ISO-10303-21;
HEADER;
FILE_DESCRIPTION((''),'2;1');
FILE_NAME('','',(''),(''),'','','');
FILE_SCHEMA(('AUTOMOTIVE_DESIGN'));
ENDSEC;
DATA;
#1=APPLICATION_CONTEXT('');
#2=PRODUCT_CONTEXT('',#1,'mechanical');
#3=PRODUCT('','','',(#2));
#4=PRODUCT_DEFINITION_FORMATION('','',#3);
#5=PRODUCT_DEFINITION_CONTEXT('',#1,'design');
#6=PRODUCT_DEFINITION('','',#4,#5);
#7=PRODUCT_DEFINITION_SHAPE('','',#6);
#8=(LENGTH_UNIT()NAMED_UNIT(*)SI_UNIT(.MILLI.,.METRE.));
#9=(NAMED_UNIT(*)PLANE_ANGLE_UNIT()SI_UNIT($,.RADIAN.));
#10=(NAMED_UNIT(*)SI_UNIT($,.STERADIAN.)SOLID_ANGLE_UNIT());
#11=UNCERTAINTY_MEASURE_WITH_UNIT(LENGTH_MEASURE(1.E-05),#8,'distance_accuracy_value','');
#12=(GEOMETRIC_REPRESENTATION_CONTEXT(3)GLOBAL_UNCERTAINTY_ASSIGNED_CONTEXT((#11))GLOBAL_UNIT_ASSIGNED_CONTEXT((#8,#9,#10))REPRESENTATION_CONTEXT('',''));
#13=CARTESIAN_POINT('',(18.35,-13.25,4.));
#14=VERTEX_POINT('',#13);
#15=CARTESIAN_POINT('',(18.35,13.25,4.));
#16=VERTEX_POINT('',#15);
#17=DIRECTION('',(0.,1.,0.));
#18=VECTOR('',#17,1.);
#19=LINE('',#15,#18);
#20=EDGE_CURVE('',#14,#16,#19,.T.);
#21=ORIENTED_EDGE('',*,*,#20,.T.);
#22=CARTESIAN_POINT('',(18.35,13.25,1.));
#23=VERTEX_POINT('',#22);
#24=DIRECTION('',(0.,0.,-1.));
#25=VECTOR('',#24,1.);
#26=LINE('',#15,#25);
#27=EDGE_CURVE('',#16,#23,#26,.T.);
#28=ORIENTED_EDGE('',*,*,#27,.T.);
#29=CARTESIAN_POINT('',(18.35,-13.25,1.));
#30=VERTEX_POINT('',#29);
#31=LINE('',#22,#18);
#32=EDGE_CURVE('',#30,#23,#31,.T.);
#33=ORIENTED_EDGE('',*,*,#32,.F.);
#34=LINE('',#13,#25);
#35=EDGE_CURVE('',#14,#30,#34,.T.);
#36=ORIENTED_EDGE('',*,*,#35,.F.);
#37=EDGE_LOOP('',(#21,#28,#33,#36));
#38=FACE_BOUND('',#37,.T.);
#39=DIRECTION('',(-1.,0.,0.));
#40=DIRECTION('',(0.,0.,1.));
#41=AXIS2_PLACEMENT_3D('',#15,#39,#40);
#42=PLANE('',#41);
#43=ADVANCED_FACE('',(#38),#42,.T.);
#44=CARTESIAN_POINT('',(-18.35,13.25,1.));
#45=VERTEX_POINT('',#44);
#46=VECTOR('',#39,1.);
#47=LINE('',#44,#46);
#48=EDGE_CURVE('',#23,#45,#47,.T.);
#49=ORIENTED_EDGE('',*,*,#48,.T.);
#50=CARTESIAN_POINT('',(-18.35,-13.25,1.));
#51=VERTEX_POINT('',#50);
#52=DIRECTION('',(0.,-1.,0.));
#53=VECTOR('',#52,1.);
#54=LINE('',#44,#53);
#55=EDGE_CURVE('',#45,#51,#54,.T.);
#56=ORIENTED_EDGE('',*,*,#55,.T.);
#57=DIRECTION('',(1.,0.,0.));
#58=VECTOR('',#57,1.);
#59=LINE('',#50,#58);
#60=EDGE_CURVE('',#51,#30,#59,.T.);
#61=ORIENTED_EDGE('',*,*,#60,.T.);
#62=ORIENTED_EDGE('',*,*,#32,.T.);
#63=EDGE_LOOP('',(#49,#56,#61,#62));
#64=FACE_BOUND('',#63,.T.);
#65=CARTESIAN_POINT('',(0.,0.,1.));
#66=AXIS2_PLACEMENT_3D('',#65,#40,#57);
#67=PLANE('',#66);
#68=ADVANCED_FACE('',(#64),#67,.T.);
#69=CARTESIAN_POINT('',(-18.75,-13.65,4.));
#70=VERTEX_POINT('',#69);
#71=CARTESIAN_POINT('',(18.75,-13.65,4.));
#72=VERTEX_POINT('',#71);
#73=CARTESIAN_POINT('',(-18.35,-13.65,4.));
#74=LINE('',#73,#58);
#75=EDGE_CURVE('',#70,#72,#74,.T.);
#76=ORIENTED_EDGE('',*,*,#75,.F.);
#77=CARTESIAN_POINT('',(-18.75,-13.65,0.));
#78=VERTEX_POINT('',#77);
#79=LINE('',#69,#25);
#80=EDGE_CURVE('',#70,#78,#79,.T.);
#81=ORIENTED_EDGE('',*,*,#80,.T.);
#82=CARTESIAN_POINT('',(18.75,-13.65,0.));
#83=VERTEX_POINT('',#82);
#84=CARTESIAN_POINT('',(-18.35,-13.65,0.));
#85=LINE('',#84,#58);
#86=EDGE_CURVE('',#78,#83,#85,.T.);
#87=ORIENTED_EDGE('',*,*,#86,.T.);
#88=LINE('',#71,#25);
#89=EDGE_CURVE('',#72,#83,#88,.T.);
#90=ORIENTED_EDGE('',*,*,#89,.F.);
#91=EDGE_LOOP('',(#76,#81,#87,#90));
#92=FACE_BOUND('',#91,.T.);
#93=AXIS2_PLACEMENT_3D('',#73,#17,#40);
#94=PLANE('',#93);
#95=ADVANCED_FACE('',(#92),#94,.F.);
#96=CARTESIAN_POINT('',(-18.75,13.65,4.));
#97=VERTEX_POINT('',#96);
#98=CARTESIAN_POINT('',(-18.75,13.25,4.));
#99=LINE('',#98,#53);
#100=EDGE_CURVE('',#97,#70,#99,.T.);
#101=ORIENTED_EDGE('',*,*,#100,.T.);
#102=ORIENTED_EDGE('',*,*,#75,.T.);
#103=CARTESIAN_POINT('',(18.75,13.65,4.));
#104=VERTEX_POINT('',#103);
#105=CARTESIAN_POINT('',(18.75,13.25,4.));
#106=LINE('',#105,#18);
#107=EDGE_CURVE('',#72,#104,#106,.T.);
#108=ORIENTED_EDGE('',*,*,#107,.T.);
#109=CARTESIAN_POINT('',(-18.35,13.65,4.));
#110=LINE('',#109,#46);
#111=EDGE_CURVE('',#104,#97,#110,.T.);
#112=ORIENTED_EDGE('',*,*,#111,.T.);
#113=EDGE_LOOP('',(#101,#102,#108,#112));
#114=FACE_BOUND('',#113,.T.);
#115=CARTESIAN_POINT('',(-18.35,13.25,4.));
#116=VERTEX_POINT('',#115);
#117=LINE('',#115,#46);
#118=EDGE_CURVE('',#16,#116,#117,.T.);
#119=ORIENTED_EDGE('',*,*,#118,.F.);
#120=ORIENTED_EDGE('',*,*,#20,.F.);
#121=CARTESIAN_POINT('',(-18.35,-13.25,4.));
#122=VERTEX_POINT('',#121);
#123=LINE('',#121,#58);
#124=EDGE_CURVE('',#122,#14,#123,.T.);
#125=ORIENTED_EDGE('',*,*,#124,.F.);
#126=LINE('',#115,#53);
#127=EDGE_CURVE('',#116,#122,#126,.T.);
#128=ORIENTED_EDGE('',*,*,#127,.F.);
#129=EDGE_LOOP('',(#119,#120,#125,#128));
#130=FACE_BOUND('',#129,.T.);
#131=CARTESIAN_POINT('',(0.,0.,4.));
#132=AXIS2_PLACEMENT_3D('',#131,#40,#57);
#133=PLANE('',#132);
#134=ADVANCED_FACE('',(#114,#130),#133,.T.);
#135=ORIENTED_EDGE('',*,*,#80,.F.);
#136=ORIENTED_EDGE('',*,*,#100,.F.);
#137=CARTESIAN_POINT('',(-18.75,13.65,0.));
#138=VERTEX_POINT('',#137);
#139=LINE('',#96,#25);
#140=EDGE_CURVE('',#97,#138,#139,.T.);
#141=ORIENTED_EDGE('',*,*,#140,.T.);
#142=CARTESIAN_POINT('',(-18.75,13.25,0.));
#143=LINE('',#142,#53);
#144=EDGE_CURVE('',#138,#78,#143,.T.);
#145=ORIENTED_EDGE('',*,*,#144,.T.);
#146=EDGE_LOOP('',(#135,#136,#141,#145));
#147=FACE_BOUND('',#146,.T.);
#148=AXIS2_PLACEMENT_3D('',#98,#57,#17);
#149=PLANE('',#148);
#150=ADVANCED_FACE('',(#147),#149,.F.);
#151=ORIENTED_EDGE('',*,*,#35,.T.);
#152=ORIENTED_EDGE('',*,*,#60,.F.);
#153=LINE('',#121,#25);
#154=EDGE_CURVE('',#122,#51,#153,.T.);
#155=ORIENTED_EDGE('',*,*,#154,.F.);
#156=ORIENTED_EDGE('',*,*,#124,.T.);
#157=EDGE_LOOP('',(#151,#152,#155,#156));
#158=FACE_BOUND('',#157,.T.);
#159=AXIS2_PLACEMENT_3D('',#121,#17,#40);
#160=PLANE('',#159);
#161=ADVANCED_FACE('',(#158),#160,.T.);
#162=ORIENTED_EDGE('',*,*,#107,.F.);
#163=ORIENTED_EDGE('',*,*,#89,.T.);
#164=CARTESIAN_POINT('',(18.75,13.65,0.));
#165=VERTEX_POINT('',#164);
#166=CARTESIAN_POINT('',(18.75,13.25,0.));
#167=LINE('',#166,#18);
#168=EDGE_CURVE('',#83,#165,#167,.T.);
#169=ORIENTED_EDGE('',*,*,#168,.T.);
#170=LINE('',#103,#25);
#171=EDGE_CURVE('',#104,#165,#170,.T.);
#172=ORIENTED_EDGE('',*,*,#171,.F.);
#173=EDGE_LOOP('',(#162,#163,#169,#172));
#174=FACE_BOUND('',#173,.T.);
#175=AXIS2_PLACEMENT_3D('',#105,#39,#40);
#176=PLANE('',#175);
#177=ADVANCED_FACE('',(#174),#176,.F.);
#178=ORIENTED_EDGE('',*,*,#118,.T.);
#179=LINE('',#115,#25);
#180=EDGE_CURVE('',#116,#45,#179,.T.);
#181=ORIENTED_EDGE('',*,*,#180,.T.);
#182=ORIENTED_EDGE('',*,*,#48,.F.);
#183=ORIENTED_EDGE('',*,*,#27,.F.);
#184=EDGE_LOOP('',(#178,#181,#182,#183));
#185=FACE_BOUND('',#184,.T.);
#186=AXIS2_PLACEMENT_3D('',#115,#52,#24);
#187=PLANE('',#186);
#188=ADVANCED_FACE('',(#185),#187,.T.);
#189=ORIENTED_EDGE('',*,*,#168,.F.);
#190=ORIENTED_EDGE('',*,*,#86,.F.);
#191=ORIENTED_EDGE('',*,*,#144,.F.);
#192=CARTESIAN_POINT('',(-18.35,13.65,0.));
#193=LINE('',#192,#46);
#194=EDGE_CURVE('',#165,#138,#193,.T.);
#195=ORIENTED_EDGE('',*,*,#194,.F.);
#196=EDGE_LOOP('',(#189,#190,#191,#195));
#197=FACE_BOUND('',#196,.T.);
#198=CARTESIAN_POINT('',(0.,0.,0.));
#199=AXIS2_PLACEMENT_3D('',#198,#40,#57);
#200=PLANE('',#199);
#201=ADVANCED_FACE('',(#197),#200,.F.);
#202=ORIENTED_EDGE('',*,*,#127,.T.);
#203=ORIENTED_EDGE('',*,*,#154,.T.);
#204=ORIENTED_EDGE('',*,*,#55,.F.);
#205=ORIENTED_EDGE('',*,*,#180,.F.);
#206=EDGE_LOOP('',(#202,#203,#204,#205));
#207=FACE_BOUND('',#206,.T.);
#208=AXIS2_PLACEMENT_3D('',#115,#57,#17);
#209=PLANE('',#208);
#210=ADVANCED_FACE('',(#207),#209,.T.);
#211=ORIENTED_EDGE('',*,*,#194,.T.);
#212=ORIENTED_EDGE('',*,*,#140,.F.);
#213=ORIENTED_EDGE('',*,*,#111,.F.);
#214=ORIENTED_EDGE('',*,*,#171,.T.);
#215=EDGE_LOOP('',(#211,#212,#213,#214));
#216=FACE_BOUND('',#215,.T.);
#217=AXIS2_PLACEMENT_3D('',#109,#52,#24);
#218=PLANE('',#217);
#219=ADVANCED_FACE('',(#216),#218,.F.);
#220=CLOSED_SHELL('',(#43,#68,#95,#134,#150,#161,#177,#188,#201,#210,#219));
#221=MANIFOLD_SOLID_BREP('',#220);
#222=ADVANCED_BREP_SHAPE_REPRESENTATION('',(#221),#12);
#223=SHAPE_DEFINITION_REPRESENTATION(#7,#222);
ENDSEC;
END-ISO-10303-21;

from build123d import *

# Parameters (mm, degrees)
ESQUISSE1_W        = 36.7
ESQUISSE1_H        = 26.5
BOSS_EXTRU_2_DEPTH = 1
ESQUISSE1_2_W      = 37.5
ESQUISSE1_2_H      = 27.3
ESQUISSE1_2_W_2    = 36.7
ESQUISSE1_2_H_2    = 26.5
EXTRU_MINCE1_DEPTH = 4


with BuildPart() as part:
    # Esquisse1 → Boss.-Extru.2 (new body)
    with BuildSketch(Plane.XY):
        Rectangle(ESQUISSE1_W, ESQUISSE1_H)
    extrude(amount=BOSS_EXTRU_2_DEPTH)

    # Esquisse1<2> → Extru.-Mince1 (add)
    with BuildSketch(Plane.XY):
        Rectangle(ESQUISSE1_2_W, ESQUISSE1_2_H)
        Rectangle(ESQUISSE1_2_W_2, ESQUISSE1_2_H_2, mode=Mode.SUBTRACT)
    extrude(amount=EXTRU_MINCE1_DEPTH)


solid = part.part
